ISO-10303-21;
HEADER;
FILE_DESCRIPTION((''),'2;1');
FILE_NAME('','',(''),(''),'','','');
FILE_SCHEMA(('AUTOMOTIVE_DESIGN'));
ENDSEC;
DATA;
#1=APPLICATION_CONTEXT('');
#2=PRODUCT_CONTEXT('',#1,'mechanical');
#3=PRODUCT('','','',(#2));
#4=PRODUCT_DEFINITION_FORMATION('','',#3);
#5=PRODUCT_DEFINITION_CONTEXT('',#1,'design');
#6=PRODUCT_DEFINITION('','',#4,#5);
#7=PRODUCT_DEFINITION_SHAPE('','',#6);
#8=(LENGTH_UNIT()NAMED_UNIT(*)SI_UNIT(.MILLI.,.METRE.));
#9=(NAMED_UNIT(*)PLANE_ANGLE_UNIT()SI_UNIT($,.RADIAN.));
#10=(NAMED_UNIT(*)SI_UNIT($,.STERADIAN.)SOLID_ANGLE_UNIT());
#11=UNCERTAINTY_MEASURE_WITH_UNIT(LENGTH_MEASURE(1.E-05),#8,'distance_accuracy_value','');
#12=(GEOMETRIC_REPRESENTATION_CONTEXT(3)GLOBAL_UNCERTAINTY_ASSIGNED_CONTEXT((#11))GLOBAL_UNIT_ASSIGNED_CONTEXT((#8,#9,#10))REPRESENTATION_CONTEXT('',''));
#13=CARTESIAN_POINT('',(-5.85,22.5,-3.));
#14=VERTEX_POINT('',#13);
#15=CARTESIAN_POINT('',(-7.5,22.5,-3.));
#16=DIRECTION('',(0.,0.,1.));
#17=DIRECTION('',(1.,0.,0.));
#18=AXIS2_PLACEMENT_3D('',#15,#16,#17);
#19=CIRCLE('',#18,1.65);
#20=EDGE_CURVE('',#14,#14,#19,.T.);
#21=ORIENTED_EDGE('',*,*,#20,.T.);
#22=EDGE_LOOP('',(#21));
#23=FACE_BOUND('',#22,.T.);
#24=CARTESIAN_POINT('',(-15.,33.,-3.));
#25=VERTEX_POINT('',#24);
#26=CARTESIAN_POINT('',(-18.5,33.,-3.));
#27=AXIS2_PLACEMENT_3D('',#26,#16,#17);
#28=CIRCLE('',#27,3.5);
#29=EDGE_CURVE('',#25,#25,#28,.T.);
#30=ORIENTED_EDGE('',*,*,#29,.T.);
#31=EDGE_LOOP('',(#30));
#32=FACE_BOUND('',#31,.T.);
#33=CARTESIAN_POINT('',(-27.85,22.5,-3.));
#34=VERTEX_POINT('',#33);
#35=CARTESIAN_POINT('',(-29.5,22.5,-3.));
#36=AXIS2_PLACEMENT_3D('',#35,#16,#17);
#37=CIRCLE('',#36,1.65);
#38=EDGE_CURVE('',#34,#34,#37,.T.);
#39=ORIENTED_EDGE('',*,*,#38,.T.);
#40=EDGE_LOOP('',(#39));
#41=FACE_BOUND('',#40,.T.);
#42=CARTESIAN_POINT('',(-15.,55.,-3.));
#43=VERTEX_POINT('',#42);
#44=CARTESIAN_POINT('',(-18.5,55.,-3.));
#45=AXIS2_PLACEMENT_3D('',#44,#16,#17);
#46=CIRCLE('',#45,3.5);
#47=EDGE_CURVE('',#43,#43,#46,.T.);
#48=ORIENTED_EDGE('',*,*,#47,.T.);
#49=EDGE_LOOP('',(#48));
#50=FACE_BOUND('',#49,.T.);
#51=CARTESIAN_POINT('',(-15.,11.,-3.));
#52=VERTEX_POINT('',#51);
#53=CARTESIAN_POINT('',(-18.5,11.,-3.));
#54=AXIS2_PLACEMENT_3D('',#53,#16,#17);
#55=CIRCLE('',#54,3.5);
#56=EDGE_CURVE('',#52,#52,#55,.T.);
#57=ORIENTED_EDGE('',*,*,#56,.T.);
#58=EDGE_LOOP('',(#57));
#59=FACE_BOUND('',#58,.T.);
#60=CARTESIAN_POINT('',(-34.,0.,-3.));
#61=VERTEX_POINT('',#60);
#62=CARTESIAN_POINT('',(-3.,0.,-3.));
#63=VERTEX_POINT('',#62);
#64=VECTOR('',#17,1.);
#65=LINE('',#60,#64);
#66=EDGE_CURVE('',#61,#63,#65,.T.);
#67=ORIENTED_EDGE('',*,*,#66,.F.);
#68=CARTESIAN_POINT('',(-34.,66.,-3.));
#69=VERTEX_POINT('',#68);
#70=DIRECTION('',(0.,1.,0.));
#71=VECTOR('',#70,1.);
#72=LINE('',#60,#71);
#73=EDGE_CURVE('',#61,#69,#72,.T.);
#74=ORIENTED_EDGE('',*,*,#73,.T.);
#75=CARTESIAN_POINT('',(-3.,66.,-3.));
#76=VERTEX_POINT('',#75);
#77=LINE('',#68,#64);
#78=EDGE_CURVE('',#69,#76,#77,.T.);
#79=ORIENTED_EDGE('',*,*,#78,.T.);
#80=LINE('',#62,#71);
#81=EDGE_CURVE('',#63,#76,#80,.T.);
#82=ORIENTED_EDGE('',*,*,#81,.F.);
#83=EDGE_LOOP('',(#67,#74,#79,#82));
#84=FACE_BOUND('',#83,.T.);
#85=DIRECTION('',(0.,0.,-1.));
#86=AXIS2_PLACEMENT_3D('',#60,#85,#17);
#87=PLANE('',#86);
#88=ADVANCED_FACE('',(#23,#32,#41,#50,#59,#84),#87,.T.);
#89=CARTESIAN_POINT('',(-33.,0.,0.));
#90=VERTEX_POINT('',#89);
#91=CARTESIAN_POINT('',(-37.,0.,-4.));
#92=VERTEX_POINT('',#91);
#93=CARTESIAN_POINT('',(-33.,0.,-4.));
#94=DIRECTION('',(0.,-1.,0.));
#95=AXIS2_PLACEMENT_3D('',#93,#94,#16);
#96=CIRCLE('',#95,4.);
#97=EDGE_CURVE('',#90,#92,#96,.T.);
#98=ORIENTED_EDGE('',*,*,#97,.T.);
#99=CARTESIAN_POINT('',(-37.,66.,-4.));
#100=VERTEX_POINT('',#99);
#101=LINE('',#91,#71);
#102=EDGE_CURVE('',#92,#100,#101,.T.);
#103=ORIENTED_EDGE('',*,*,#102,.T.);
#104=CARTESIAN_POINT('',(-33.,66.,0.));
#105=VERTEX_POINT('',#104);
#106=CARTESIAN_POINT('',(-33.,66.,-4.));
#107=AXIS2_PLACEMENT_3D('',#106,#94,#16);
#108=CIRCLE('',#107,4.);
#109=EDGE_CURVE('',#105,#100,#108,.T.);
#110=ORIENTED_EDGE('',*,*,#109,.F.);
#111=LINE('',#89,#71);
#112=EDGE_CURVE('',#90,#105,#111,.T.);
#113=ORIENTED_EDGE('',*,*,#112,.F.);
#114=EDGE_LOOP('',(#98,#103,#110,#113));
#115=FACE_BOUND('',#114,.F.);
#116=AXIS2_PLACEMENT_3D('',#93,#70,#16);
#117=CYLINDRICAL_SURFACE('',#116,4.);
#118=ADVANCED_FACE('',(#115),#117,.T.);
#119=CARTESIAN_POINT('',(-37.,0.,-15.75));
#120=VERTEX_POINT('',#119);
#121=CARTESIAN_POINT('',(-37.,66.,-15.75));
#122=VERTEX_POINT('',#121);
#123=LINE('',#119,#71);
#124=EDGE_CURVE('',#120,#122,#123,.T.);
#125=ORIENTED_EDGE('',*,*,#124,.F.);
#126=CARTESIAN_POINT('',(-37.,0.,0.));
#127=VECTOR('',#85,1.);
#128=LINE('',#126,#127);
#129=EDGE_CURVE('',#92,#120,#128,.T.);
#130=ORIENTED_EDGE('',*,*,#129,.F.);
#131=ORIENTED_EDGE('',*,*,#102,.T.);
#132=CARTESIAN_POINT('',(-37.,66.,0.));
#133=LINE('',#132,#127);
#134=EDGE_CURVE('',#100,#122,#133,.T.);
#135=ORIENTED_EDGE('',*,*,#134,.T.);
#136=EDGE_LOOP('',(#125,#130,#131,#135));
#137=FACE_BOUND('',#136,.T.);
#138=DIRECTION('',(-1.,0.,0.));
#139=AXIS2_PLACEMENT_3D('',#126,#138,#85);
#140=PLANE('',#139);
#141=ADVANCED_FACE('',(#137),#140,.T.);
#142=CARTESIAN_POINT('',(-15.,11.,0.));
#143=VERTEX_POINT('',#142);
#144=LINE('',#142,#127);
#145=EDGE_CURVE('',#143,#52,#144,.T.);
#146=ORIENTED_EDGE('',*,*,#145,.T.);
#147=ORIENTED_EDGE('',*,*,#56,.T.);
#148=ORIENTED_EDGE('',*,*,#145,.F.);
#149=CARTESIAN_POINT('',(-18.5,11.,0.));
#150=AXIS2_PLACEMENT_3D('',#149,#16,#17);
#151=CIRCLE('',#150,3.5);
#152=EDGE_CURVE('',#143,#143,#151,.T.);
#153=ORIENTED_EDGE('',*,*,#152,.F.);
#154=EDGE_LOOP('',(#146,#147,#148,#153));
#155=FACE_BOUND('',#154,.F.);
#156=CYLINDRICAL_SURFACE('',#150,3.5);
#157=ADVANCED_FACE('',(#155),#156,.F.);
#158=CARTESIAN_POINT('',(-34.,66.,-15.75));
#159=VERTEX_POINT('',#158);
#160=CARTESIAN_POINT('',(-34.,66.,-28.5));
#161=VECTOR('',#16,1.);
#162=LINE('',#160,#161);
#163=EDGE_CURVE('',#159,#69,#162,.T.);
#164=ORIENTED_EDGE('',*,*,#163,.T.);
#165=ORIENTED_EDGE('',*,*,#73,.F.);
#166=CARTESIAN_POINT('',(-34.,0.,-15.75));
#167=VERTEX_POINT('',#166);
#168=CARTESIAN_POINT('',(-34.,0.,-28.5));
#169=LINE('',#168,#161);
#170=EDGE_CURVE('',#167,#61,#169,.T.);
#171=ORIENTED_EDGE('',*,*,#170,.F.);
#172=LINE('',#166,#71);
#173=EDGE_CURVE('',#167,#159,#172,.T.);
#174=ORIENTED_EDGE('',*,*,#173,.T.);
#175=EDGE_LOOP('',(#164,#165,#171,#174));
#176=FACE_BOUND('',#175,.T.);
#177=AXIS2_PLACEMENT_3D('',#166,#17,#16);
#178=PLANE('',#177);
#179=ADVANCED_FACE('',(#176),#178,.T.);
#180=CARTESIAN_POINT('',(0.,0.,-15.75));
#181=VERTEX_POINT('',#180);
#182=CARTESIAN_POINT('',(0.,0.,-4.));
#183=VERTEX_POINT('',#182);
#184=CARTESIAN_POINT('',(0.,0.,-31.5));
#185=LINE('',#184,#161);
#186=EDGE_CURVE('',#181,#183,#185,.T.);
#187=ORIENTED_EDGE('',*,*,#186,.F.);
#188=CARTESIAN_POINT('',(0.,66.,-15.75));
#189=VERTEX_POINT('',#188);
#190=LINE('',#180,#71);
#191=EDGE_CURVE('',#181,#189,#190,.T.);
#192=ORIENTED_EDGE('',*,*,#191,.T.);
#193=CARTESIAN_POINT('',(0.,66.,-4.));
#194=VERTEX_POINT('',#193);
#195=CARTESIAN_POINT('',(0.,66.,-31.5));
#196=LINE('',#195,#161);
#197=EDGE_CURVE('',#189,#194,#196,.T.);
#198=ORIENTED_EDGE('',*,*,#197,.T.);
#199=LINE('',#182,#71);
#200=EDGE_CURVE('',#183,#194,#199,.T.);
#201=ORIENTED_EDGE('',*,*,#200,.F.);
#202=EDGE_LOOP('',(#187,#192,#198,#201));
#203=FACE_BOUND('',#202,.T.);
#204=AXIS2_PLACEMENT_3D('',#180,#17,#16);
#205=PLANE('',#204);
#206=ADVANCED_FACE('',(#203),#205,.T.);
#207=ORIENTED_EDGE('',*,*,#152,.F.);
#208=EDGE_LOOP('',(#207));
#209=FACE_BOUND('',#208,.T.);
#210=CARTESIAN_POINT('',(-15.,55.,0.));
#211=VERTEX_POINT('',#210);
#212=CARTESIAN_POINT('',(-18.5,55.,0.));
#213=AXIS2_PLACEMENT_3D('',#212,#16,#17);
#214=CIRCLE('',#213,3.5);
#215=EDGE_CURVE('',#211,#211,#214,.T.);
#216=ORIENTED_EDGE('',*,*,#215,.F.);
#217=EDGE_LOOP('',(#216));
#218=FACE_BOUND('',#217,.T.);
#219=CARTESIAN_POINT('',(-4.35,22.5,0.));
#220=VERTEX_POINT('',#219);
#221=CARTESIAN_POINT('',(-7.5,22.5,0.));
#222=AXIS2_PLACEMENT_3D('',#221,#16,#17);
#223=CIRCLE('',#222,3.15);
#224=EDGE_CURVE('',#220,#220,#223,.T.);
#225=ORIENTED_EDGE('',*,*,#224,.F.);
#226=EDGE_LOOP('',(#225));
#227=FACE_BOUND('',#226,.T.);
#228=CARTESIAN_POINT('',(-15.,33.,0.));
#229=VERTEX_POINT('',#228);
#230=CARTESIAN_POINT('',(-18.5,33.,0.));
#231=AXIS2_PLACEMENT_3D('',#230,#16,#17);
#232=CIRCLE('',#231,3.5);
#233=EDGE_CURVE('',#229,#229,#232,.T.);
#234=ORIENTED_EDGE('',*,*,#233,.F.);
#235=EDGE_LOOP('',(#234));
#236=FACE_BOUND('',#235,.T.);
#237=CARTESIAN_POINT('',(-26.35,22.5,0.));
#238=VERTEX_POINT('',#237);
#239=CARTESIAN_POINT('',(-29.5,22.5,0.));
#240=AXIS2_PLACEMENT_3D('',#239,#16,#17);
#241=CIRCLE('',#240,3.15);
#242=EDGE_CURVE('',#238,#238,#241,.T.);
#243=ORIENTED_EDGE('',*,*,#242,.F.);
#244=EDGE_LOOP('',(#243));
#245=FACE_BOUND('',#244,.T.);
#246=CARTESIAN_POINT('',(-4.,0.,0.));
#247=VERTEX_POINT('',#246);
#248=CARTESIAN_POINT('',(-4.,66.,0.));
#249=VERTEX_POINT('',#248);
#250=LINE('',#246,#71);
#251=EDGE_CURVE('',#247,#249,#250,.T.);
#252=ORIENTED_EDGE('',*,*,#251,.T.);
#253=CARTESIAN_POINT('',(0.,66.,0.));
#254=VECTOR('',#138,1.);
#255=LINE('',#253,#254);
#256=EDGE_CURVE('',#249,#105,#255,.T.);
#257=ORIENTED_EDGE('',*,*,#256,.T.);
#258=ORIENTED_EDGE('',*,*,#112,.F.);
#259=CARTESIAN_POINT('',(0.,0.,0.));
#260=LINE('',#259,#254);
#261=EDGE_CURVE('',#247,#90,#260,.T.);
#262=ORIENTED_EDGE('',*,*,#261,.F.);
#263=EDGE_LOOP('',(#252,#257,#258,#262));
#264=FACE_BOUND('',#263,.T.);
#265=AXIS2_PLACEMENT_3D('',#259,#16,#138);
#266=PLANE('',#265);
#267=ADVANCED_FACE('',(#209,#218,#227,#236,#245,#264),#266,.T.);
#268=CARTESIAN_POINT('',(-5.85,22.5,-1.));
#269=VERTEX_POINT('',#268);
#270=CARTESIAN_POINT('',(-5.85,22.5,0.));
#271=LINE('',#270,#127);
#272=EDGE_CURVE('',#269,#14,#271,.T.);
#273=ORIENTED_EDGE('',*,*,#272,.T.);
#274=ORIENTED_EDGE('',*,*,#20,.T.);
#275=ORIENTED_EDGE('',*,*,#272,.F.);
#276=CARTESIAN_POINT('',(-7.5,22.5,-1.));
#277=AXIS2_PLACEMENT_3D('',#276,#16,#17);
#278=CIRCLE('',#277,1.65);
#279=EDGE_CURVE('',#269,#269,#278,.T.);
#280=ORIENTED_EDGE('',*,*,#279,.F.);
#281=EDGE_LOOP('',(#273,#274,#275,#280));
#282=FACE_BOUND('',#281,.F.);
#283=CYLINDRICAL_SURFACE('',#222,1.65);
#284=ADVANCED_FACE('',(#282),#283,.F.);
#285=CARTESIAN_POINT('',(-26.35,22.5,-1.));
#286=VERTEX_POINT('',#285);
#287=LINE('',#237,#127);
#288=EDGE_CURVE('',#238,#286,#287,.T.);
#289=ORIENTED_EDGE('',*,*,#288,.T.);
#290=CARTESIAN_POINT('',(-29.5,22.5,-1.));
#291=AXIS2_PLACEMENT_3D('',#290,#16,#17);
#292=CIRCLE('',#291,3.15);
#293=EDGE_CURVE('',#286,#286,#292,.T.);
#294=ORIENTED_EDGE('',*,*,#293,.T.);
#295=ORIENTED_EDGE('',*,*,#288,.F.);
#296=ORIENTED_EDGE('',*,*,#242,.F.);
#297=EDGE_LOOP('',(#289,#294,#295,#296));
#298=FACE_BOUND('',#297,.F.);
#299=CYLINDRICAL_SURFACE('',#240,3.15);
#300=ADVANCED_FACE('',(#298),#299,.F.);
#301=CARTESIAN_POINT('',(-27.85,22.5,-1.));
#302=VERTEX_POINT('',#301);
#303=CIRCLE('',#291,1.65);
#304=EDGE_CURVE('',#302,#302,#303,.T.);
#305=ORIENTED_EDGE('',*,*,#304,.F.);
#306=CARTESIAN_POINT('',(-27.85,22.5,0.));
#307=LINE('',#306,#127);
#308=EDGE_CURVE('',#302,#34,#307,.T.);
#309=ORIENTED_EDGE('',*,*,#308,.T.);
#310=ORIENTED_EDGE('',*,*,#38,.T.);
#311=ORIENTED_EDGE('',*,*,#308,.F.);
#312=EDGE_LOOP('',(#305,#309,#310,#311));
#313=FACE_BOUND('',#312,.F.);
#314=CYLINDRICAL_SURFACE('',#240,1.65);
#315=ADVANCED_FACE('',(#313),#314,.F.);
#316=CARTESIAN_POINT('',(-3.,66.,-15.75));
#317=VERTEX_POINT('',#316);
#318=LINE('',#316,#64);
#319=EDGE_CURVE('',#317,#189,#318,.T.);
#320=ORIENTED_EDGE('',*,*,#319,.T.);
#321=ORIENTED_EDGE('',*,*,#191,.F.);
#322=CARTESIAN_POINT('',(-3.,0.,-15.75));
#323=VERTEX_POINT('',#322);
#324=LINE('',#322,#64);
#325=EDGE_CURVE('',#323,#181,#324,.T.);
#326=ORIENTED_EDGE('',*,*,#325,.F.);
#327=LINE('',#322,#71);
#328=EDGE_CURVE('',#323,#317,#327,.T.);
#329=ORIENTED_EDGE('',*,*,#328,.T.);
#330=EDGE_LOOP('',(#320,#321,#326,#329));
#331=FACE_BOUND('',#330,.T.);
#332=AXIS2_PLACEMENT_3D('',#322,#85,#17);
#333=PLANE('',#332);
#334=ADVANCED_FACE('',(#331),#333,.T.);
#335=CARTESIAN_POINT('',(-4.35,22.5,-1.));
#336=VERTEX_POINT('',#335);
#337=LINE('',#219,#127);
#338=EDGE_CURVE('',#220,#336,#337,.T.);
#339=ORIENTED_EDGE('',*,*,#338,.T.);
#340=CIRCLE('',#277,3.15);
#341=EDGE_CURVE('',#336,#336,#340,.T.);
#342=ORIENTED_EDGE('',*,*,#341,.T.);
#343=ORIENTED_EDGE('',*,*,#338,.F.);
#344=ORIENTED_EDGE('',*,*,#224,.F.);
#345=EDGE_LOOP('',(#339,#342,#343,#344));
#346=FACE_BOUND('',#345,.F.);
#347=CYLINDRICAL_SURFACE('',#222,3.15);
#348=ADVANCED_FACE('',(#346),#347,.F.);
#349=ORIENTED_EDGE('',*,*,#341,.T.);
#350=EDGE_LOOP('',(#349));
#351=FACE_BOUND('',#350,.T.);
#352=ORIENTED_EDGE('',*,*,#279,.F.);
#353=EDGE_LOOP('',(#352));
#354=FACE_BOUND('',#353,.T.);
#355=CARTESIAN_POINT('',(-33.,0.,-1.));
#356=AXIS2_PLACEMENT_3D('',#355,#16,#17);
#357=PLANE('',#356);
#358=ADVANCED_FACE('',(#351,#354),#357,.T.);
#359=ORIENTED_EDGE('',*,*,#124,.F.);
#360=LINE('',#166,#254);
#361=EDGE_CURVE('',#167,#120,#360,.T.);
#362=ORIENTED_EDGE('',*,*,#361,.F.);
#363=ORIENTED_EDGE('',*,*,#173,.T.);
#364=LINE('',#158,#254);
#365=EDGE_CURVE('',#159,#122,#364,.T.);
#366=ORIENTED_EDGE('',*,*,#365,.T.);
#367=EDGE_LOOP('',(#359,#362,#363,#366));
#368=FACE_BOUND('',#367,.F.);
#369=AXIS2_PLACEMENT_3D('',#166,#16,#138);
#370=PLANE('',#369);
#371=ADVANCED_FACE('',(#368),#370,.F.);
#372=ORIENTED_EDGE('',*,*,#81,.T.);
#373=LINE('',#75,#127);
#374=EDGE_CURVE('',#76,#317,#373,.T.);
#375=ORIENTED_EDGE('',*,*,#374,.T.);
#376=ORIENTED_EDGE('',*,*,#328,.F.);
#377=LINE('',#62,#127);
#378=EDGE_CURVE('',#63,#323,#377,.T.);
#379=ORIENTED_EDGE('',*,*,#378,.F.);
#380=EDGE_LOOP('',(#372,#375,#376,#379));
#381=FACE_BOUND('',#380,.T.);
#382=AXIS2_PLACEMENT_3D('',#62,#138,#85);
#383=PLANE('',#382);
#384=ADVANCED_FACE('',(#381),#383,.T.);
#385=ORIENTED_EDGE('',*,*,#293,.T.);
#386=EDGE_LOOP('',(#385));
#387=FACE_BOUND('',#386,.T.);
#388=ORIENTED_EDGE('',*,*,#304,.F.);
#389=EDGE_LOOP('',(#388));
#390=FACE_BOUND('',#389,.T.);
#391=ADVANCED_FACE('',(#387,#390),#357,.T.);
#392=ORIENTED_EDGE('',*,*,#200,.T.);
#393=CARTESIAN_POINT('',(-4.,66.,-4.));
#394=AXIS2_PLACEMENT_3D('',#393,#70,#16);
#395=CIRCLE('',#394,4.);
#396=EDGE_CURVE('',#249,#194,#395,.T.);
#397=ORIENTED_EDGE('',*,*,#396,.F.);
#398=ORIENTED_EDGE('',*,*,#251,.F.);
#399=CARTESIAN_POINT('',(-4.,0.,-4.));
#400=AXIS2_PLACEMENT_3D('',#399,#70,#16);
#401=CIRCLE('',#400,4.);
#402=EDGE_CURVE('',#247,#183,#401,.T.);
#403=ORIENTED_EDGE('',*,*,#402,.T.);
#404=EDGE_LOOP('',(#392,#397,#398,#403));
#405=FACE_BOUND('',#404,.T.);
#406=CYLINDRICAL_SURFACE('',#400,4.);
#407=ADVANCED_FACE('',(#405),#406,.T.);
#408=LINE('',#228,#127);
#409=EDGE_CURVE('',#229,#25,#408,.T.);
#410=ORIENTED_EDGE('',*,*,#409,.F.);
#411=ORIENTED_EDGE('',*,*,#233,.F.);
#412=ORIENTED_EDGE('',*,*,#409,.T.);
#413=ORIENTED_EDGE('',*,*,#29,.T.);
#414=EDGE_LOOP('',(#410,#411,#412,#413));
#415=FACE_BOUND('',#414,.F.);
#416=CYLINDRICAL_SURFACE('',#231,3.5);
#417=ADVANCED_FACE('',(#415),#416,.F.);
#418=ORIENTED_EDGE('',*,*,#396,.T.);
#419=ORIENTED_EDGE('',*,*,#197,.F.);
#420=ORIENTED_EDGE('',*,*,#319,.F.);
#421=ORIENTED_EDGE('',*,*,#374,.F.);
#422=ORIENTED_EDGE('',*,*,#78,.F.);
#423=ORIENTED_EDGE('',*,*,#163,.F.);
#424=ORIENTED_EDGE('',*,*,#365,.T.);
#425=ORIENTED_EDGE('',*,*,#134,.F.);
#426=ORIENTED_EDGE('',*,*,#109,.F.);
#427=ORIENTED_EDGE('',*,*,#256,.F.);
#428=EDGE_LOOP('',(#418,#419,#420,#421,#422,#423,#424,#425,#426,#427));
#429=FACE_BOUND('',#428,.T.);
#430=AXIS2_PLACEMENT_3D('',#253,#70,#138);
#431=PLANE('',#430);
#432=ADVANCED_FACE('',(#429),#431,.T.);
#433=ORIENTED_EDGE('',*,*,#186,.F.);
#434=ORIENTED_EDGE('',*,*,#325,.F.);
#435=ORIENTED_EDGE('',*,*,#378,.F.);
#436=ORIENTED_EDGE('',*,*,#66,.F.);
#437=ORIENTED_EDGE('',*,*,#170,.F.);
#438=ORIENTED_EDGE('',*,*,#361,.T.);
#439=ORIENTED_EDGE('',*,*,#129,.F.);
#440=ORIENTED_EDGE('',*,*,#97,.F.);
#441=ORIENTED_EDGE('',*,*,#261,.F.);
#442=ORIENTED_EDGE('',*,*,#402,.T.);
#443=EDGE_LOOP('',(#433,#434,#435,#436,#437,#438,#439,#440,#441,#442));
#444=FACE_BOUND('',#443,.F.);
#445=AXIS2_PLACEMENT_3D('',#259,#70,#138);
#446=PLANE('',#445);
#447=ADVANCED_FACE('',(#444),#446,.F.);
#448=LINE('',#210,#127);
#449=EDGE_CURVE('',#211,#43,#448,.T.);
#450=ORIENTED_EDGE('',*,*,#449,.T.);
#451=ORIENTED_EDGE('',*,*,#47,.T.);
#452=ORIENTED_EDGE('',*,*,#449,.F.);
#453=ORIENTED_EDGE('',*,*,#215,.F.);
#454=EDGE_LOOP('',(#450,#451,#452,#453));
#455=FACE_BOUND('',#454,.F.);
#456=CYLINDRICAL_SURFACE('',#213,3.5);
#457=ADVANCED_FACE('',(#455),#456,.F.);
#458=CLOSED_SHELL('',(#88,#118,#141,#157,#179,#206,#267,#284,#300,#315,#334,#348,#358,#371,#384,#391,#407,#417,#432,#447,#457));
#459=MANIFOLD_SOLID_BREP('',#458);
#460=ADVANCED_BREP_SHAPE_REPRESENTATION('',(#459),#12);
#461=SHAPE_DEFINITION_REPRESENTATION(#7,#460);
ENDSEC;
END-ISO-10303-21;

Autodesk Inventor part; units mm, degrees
ref_plane "YZ Plane" through (0, 0, 0) normal (1, 0, 0) x (0, 1, 0)
ref_plane "XZ Plane" through (0, 0, 0) normal (0, 1, 0) x (-1, 0, 0)
ref_plane "XY Plane" through (0, 0, 0) normal (0, 0, 1) x (1, 0, 0)
sketch "Esquisse1" plane through (0, 0, 0) normal (0, 1, 0) x (-1, 0, 0)
  line L0 (0, 0) -> (37, 0)
  line L1 (37, 0) -> (37, -31.5)
  line L2 (37, -31.5) -> (0, -31.5)
  line L3 (0, -31.5) -> (0, 0)
  line L4 (34, -28.5) -> (34, -3)
  line L5 (34, -3) -> (3, -3)
  line L6 (3, -3) -> (3, -28.5)
  line L7 (3, -28.5) -> (34, -28.5)
  line L8 (3, -15.75) -> (0, -15.75)
  line L9 (34, -15.75) -> (37, -15.75)
  dimension "d0" = 3
  dimension "d1" = 31
  dimension "d2" = 25.5
extrude "Extrusion1" add sketch "Esquisse1" along normal blind 66 contours L0 L1 L9 L4 L5 L6 L8 L3
sketch "Esquisse2" plane through (-37, 0, 0) normal (0, 0, 1) x (1, 0, 0)
  line L0 (7.5, 22.5) -> (29.5, 22.5) construction
  circle A0 centre (7.5, 22.5) radius 1.65
  circle A1 centre (29.5, 22.5) radius 1.65
  line L1 (34, 0) -> (3, 0) construction
  line L2 (18.5, 0) -> (18.5, 22.5) construction
  point P0 (37, 0)
  dimension "d36" = 4
  dimension "d5" = 3.3
  dimension "d6" = 22.5
  dimension "d7" = 22
extrude "Extrusion2" cut sketch "Esquisse2" against normal through all
sketch "Esquisse3" plane through (-33, 0, 0) normal (0, 0, 1) x (1, 0, 0)
  line L0 (-4, 66) -> (33, 66) construction
  line L1 (-4, 0) -> (33, 0) construction
  circle A0 centre (3.5, 22.5) radius 1.65 construction
  circle A1 centre (25.5, 22.5) radius 1.65 construction
  circle A2 centre (3.5, 22.5) radius 1.65 construction
  circle A3 centre (3.5, 22.5) radius 3.15
  circle A4 centre (25.5, 22.5) radius 3.15
  line L2 (33, 0) -> (33, 66) projected
  line L3 (-4, 0) -> (-4, 66) projected
  dimension "d11" = 6.3
extrude "Extrusion3" cut sketch "Esquisse3" against normal blind 1
sketch "Esquisse4" plane through (-33, 0, 0) normal (0, 0, 1) x (1, 0, 0)
  line L0 (-4, 66) -> (33, 66) construction
  line L1 (14.5, 66) -> (14.5, 0) construction
  line L2 (30, 0) -> (-1, 0) construction
  circle A0 centre (14.5, 11) radius 3.5
  circle A1 centre (14.5, 33) radius 3.5
  circle A2 centre (14.5, 55) radius 3.5
  point P0 (33, 0)
  point P1 (0, 56.5)
  point P2 (29, 56.5)
  point P3 (33, 66)
  dimension "d14" = 11
  dimension "d15" = 7
  dimension "d31" = 22
extrude "Extrusion4" cut sketch "Esquisse4" against normal through all
fillet "Congé4" radius 4 2 edges at (0, 33, 0) (-37, 33, 0)
properties part number "part2_top"
